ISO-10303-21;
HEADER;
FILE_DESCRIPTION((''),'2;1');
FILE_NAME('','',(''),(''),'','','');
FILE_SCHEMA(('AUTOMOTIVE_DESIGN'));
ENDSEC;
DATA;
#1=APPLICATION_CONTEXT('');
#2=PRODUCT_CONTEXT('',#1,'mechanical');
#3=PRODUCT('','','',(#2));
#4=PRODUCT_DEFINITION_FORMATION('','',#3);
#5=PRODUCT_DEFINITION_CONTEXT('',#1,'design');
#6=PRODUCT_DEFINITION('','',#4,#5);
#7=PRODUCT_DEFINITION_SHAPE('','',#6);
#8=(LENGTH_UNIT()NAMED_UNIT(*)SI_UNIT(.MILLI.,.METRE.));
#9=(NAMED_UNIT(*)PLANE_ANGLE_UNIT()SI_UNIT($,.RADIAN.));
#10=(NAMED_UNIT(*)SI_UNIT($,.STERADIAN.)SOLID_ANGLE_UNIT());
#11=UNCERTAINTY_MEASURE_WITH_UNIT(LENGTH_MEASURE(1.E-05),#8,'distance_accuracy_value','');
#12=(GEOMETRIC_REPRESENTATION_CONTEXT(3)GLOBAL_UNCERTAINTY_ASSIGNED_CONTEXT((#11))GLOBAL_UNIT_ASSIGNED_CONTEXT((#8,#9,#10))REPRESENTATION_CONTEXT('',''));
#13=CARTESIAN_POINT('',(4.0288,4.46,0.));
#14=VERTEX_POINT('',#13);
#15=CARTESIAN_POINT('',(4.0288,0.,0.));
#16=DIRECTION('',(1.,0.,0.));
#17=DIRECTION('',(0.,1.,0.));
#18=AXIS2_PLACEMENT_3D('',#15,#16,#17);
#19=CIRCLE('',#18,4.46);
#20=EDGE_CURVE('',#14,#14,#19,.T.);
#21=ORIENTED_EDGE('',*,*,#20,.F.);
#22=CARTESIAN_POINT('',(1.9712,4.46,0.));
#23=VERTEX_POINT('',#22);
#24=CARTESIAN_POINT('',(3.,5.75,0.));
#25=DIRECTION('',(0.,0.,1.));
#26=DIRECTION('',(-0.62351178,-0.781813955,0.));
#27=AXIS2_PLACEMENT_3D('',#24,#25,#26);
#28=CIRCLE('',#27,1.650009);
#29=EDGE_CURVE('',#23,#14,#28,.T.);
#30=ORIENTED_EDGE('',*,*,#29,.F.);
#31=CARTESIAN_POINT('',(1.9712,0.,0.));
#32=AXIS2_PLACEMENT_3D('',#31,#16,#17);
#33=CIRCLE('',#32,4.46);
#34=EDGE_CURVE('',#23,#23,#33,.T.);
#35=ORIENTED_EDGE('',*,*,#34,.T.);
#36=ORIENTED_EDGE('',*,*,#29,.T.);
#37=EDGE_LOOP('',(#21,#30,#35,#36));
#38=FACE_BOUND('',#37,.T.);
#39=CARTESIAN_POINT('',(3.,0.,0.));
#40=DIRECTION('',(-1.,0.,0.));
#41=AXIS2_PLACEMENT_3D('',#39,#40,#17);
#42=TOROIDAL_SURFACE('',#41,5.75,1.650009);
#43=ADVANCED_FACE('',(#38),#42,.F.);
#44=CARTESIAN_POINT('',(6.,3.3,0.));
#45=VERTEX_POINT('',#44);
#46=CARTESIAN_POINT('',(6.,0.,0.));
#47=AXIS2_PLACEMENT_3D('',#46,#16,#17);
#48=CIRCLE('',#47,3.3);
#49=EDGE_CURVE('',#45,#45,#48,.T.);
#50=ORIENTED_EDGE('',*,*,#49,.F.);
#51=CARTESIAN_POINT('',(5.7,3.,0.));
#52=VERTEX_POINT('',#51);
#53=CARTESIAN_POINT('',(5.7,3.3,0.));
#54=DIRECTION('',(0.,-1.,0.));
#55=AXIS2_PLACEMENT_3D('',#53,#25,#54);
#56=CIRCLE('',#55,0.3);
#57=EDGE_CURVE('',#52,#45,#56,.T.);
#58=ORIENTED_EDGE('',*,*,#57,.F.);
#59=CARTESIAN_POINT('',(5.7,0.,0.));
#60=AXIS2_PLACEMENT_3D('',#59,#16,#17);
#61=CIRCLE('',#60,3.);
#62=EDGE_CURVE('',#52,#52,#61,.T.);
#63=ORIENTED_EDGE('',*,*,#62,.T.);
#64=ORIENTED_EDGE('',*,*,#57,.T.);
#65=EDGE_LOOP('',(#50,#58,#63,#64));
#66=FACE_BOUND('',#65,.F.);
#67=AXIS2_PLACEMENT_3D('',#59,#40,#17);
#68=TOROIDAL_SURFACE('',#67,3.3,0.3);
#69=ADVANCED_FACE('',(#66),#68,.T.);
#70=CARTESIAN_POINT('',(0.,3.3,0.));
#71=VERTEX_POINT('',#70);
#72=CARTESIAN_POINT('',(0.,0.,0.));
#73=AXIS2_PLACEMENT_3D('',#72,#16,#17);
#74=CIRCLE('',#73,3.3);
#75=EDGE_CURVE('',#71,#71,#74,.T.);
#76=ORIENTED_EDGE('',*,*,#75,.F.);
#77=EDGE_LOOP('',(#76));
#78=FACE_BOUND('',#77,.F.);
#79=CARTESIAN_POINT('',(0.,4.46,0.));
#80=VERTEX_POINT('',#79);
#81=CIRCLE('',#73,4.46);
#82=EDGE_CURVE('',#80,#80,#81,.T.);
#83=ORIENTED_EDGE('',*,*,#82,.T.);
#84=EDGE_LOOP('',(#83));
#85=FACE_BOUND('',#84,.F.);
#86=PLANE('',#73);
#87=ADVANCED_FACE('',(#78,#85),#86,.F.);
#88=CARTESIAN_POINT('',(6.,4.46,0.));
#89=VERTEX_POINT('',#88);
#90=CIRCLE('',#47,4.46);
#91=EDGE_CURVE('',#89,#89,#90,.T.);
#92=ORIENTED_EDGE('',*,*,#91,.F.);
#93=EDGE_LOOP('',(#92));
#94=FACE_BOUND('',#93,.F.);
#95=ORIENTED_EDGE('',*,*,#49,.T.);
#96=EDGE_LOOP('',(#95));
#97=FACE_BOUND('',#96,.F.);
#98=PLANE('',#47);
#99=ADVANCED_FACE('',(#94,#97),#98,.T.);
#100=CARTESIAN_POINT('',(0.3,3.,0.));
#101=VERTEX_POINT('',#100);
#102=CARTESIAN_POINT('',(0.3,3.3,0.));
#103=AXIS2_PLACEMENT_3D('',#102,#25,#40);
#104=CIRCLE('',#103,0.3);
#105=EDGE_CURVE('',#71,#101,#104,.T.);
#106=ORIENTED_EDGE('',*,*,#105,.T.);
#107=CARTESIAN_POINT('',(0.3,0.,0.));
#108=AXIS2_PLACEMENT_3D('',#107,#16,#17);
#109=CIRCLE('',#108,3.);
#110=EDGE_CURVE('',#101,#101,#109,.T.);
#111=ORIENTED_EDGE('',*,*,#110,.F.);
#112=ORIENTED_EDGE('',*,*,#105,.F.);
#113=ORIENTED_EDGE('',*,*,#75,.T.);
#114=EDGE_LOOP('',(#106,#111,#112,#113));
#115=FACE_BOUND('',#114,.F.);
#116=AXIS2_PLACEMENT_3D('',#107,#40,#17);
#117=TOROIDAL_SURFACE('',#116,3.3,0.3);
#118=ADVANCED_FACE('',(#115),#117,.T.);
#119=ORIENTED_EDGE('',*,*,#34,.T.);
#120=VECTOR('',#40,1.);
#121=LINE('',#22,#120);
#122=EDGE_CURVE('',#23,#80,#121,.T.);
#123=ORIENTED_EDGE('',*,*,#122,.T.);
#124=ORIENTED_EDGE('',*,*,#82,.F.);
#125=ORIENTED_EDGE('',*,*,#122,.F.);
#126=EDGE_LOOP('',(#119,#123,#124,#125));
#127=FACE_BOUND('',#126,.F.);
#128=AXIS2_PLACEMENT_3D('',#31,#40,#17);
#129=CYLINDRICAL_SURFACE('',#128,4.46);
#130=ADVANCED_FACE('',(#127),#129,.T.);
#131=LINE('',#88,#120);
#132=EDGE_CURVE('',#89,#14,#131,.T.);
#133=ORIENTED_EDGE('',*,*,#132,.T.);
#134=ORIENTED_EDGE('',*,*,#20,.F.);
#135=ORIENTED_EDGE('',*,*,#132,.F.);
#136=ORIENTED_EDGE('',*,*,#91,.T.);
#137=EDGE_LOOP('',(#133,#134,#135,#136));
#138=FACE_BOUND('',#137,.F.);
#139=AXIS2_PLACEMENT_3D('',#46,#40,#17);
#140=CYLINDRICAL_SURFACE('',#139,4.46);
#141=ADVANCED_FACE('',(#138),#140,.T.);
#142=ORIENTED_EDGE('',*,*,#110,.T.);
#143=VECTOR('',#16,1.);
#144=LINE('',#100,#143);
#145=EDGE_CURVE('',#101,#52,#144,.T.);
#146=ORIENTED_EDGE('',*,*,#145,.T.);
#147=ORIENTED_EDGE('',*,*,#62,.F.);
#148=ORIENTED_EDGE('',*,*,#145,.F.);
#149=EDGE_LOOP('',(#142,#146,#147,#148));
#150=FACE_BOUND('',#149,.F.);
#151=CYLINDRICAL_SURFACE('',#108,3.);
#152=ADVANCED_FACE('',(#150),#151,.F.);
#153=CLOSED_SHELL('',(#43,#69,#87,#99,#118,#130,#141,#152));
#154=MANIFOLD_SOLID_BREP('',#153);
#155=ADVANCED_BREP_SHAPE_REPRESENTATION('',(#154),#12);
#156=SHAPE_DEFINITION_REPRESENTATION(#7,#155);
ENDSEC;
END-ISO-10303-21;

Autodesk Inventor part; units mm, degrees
sketch "Sketch_1" plane through (0, 0, 0) normal (0, 0, 1) x (1, 0, 0)
  line L0 (6, 0) -> (0, 0)
  arc A0 (0, 3.3) -> (0.3, 3) centre (0.3, 3.3) ccw
  line L1 (0.3, 3) -> (5.7, 3)
  arc A1 (5.7, 3) -> (6, 3.3) centre (5.7, 3.3) ccw
  line L2 (6, 3.3) -> (6, 4.46)
  line L3 (6, 4.46) -> (4.0288, 4.46)
  arc A2 (1.9712, 4.46) -> (4.0288, 4.46) centre (3, 5.75) ccw
  line L4 (1.9712, 4.46) -> (0, 4.46)
  line L5 (0, 4.46) -> (0, 3.3)
revolve "Revolution1" add sketch "Sketch_1" angle 360 about axis through (6, 0, 0) along (1, 0, 0)
ref_plane "ip_op_ir_1_1_XY" through (3, 5.75, 0) normal (1, 0, 0) x (0, 0, -1)
ref_plane "ip_op_ir_1_1_YZ" through (3, 5.75, 0) normal (0, 0, -1) x (0, 1, 0)
ref_plane "ip_op_ir_1_1_ZX" through (3, 5.75, 0) normal (0, 1, 0) x (1, 0, 0)
ref_plane "ip_op_ir_1_2_XY" through (3, 4.0659, 4.0659) normal (1, 0, 0) x (0, 0, -1)
ref_plane "ip_op_ir_1_2_YZ" through (3, 4.0659, 4.0659) normal (0, 0, -1) x (0, 1, 0)
ref_plane "ip_op_ir_1_2_ZX" through (3, 4.0659, 4.0659) normal (0, 1, 0) x (1, 0, 0)
ref_plane "ip_op_ir_1_3_XY" through (3, 0, 5.75) normal (1, 0, 0) x (0, 0, -1)
ref_plane "ip_op_ir_1_3_YZ" through (3, 0, 5.75) normal (0, 0, -1) x (0, 1, 0)
ref_plane "ip_op_ir_1_3_ZX" through (3, 0, 5.75) normal (0, 1, 0) x (1, 0, 0)
ref_plane "ip_op_ir_1_4_XY" through (3, -4.0659, 4.0659) normal (1, 0, 0) x (0, 0, -1)
ref_plane "ip_op_ir_1_4_YZ" through (3, -4.0659, 4.0659) normal (0, 0, -1) x (0, 1, 0)
ref_plane "ip_op_ir_1_4_ZX" through (3, -4.0659, 4.0659) normal (0, 1, 0) x (1, 0, 0)
ref_plane "ip_op_ir_1_5_XY" through (3, -5.75, 0) normal (1, 0, 0) x (0, 0, -1)
ref_plane "ip_op_ir_1_5_YZ" through (3, -5.75, 0) normal (0, 0, -1) x (0, 1, 0)
ref_plane "ip_op_ir_1_5_ZX" through (3, -5.75, 0) normal (0, 1, 0) x (1, 0, 0)
ref_plane "ip_op_ir_1_6_XY" through (3, -4.0659, -4.0659) normal (1, 0, 0) x (0, 0, -1)
ref_plane "ip_op_ir_1_6_YZ" through (3, -4.0659, -4.0659) normal (0, 0, -1) x (0, 1, 0)
ref_plane "ip_op_ir_1_6_ZX" through (3, -4.0659, -4.0659) normal (0, 1, 0) x (1, 0, 0)
ref_plane "ip_op_ir_1_7_XY" through (3, 0, -5.75) normal (1, 0, 0) x (0, 0, -1)
ref_plane "ip_op_ir_1_7_YZ" through (3, 0, -5.75) normal (0, 0, -1) x (0, 1, 0)
ref_plane "ip_op_ir_1_7_ZX" through (3, 0, -5.75) normal (0, 1, 0) x (1, 0, 0)
ref_plane "ip_op_ir_1_8_XY" through (3, 4.0659, -4.0659) normal (1, 0, 0) x (0, 0, -1)
ref_plane "ip_op_ir_1_8_YZ" through (3, 4.0659, -4.0659) normal (0, 0, -1) x (0, 1, 0)
ref_plane "ip_op_ir_1_8_ZX" through (3, 4.0659, -4.0659) normal (0, 1, 0) x (1, 0, 0)
ref_plane "ip_op_ir_1a_XY" through (0, 0, 0) normal (1, 0, 0) x (0, 0, -1)
ref_plane "ip_op_ir_1a_YZ" through (0, 0, 0) normal (0, 0, -1) x (0, 1, 0)
ref_plane "ip_op_ir_1a_ZX" through (0, 0, 0) normal (0, 1, 0) x (1, 0, 0)
properties part number "606 Inner Ring" material "Steel"
